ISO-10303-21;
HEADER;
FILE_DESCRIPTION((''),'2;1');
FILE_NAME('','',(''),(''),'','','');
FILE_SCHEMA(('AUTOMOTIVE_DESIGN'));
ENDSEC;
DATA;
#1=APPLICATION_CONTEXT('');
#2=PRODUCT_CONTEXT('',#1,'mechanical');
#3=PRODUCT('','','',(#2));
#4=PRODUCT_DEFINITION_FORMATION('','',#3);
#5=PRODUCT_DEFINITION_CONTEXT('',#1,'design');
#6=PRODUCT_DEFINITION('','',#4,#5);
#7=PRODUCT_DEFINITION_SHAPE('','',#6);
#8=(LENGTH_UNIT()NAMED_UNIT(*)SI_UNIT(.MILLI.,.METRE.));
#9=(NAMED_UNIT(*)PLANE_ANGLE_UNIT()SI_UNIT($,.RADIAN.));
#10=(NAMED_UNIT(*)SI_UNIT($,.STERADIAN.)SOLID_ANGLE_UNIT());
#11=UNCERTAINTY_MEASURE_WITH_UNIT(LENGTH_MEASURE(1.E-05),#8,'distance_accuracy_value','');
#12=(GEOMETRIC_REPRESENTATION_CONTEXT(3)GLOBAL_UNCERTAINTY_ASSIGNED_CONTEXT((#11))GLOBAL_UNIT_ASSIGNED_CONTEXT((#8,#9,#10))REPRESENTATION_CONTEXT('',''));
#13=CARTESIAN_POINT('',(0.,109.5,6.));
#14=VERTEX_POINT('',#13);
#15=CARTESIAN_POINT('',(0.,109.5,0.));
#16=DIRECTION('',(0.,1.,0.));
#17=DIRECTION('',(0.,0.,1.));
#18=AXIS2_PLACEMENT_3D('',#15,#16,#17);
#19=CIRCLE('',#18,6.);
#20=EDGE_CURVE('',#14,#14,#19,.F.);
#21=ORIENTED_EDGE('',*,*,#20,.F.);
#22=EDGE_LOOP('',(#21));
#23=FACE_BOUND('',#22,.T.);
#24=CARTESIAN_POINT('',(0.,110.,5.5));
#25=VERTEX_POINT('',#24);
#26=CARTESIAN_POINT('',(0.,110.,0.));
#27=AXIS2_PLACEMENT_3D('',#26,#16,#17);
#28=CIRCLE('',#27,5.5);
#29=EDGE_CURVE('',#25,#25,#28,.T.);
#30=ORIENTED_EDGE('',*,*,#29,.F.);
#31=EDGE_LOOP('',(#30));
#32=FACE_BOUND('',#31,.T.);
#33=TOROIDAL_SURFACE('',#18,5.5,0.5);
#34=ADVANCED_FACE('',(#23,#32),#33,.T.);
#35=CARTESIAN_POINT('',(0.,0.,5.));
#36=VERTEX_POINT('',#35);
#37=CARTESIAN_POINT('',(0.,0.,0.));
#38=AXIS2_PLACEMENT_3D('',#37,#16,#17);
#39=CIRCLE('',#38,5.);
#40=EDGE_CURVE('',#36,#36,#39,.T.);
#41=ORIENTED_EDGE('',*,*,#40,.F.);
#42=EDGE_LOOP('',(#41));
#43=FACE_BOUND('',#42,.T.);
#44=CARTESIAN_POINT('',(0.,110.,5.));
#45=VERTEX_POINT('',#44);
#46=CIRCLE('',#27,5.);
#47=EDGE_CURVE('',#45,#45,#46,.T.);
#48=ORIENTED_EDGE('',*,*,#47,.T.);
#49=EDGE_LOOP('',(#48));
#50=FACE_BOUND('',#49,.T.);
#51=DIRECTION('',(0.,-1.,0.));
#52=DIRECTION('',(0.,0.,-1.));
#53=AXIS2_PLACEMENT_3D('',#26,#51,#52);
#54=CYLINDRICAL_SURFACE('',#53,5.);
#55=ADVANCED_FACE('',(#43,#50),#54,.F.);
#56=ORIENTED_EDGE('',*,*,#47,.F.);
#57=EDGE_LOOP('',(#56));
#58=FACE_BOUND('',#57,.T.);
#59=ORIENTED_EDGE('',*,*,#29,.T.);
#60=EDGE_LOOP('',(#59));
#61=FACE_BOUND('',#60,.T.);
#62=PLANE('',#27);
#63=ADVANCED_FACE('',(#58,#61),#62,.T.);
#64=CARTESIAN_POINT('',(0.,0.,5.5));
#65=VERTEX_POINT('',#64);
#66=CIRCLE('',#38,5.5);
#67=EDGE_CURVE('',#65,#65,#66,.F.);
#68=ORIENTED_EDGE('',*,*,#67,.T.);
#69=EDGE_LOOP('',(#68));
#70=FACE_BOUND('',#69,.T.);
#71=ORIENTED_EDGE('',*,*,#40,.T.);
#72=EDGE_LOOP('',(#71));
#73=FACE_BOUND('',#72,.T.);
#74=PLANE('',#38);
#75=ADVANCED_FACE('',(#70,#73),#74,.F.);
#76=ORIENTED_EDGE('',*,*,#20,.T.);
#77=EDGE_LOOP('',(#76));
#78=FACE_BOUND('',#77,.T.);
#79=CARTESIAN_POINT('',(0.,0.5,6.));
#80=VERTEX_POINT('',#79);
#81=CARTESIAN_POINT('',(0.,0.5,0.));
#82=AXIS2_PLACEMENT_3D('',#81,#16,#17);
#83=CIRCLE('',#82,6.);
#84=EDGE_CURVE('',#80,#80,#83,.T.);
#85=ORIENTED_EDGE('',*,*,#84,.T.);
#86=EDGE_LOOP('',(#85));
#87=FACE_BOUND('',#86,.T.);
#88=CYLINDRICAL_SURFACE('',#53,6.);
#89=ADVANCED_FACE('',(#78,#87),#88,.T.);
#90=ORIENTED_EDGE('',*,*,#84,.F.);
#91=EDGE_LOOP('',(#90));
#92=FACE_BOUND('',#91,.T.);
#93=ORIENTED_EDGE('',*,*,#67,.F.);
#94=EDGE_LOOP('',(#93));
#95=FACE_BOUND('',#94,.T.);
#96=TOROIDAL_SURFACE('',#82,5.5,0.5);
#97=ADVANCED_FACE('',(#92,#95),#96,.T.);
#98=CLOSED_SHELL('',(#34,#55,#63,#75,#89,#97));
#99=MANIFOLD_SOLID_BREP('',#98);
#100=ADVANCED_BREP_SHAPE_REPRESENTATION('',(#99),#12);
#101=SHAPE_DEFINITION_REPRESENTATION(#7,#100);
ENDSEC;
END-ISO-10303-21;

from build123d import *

# Parameters (mm, degrees)
SKETCH1_R           = 6
SKETCH1_R_2         = 5
BOSS_EXTRUDE1_DEPTH = 110
FILLET1_R           = 0.5


with BuildPart() as part:
    # Sketch1 → Boss-Extrude1 (new body)
    with BuildSketch(Plane(origin=(0, 0, 0), x_dir=(1, 0, 0), z_dir=(0, 1, 0))):
        Circle(SKETCH1_R)
        Circle(SKETCH1_R_2, mode=Mode.SUBTRACT)
    extrude(amount=BOSS_EXTRUDE1_DEPTH)

    # Fillet1
    fillet1_edges = [part.edges().sort_by_distance(p)[0] for p in [
        (-6, 0, 0),
        (-6, 110, 0),
    ]]
    fillet(fillet1_edges, radius=FILLET1_R)


solid = part.part
